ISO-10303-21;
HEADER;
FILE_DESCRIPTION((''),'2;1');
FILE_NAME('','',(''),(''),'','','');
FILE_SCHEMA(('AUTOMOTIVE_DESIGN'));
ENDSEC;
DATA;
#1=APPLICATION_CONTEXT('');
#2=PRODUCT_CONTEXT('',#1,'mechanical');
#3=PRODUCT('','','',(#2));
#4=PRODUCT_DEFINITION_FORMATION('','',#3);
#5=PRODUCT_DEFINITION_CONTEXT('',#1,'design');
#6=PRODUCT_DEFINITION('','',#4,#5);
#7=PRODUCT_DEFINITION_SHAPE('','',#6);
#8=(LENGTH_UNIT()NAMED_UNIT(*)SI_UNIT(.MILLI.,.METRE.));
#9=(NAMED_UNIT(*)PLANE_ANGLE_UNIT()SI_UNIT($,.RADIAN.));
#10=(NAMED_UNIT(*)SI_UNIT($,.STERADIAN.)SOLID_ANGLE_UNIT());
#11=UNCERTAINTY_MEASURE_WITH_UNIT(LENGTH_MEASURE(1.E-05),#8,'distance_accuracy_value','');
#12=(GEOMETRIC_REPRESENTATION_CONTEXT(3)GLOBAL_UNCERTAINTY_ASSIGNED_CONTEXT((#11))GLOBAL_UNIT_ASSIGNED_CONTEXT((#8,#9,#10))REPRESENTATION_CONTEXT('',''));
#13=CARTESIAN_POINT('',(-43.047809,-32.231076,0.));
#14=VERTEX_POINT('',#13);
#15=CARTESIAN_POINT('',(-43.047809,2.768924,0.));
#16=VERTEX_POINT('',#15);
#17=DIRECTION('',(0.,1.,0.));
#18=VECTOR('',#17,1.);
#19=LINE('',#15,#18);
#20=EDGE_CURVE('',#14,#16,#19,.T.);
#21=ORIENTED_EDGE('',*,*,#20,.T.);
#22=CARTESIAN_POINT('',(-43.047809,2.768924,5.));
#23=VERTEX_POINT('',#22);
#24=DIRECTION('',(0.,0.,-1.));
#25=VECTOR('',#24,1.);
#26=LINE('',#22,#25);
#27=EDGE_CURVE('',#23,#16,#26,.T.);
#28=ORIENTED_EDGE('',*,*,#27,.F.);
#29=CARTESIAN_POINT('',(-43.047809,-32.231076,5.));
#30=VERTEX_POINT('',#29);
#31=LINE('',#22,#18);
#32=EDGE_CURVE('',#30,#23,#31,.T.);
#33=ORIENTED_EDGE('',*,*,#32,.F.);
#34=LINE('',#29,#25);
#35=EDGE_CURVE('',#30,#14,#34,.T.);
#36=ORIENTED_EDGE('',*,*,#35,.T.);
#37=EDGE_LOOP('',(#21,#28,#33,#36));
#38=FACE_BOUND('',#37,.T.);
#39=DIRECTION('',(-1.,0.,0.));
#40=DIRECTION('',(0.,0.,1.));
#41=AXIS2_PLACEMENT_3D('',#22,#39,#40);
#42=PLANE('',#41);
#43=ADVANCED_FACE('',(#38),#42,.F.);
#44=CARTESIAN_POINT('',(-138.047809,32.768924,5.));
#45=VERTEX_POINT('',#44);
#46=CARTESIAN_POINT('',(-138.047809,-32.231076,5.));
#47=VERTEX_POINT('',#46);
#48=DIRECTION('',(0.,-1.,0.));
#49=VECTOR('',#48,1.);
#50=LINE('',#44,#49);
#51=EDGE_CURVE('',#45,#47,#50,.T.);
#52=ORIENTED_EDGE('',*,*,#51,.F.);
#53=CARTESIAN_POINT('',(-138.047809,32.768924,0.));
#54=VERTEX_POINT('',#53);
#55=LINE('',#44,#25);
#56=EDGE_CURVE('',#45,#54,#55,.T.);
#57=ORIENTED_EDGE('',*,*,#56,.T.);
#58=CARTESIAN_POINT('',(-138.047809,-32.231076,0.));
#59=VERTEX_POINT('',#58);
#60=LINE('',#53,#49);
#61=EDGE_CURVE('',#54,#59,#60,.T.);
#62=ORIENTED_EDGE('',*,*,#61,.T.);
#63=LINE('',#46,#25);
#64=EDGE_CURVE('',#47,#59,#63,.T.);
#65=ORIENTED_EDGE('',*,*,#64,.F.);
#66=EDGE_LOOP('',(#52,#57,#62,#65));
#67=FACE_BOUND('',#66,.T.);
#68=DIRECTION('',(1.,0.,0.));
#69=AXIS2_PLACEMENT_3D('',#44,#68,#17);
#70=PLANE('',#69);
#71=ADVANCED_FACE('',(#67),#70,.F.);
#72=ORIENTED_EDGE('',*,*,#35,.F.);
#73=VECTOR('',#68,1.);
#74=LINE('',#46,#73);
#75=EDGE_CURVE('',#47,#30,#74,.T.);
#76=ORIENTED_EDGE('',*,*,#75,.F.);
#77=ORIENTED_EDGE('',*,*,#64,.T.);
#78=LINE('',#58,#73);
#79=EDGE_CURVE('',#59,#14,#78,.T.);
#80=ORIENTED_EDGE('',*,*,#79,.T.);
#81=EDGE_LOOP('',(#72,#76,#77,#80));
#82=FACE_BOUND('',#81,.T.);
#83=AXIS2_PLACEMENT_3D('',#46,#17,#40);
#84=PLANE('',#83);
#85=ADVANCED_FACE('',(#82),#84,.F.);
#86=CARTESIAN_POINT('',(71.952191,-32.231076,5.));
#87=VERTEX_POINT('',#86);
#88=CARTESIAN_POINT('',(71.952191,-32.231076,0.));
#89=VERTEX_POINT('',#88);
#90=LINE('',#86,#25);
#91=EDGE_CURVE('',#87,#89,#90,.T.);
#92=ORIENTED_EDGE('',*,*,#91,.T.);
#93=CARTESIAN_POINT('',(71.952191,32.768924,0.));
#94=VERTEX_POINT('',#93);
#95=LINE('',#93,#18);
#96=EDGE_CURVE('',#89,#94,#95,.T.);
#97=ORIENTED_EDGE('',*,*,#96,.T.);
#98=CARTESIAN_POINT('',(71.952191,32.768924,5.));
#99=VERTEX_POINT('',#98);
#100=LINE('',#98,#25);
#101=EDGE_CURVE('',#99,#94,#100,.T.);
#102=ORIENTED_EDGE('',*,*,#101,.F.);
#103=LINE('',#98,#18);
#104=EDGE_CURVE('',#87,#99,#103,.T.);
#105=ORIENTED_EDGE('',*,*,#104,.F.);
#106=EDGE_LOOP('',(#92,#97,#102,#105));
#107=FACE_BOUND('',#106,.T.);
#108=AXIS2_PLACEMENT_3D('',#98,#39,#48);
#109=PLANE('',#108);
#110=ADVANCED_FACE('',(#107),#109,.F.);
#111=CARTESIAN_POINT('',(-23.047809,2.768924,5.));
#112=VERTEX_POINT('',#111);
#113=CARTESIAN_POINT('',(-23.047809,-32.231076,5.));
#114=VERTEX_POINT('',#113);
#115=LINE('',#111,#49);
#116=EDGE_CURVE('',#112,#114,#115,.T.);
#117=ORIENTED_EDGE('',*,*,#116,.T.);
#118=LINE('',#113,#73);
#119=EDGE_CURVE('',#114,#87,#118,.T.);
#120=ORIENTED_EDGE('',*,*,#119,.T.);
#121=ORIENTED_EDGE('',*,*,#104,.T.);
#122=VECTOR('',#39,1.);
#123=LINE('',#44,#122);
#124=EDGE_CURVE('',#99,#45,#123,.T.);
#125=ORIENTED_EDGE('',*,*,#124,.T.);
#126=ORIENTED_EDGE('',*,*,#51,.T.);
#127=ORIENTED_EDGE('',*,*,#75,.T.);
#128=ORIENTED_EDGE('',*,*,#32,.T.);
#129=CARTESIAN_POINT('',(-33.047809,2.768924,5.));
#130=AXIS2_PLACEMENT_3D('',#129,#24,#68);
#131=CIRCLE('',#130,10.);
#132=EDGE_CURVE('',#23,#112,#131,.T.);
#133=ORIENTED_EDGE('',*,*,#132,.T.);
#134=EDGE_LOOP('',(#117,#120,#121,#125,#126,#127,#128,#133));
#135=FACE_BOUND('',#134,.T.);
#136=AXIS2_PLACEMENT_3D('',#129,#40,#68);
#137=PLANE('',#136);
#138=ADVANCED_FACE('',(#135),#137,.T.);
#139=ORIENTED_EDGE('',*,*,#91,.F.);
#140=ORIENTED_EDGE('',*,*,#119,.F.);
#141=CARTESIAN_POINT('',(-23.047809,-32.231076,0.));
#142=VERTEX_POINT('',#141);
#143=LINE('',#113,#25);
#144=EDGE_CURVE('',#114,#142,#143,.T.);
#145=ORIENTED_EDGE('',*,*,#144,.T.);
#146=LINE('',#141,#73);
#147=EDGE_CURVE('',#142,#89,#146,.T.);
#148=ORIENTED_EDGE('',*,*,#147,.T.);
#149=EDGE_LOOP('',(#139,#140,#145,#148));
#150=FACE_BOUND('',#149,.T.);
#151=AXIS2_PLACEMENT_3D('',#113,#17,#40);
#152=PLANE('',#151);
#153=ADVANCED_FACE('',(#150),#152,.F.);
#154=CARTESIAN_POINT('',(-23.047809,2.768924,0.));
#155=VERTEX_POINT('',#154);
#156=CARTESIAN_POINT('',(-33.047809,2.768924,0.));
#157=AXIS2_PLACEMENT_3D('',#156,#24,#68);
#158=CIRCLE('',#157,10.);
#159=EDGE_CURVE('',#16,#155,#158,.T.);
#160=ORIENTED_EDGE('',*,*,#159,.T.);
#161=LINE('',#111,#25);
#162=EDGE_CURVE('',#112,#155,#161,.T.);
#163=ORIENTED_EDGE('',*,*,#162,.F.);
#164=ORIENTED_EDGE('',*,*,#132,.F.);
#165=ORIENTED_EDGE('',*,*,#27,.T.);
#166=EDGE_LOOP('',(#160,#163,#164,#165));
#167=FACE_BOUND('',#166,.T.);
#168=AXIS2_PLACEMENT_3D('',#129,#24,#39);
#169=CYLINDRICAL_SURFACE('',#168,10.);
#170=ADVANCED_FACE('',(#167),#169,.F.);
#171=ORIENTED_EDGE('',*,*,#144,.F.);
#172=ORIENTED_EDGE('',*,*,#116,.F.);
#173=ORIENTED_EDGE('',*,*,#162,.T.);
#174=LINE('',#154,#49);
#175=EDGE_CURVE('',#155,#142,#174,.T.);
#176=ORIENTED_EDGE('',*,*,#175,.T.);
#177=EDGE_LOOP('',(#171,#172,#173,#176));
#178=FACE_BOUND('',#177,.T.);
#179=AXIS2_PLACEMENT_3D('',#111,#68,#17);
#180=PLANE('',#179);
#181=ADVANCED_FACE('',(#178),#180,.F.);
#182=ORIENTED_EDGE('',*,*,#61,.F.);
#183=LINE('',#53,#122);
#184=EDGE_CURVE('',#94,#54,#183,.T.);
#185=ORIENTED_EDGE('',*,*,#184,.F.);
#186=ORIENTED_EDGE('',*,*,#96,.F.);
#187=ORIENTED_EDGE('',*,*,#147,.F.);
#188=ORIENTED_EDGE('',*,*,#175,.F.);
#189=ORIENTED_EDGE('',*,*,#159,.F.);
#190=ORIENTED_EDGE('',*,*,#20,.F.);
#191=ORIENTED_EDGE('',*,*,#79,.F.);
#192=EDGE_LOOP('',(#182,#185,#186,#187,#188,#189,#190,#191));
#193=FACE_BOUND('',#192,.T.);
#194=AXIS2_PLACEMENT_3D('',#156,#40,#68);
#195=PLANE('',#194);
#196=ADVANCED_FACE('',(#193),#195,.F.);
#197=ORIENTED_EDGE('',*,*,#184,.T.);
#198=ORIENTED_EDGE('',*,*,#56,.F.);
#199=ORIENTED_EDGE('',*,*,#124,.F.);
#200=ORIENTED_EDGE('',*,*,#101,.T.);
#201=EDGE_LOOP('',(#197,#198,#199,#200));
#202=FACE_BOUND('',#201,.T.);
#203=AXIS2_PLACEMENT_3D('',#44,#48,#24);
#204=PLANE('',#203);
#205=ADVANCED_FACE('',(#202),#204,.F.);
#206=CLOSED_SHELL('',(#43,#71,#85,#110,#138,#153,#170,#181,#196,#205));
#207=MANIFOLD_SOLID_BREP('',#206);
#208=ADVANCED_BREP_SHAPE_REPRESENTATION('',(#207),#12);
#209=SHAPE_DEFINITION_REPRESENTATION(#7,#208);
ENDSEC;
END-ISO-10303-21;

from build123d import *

# Parameters (mm, degrees)
BOSS_EXTRUDE1_DEPTH = 5


with BuildPart() as part:
    # Sketch1 → Boss-Extrude1 (new body)
    with BuildSketch(Plane.XY):
        with BuildLine():
            Line((-43.047808765, 2.768924303), (-43.047808765, -32.231075697))
            Line((-43.047808765, -32.231075697), (-138.047808765, -32.231075697))
            Line((-138.047808765, -32.231075697), (-138.047808765, 32.768924303))
            Line((-138.047808765, 32.768924303), (71.952191235, 32.768924303))
            Line((71.952191235, 32.768924303), (71.952191235, -32.231075697))
            Line((71.952191235, -32.231075697), (-23.047808765, -32.231075697))
            Line((-23.047808765, -32.231075697), (-23.047808765, 2.768924303))
            ThreePointArc((-23.047808765, 2.768924303), (-33.047808765, 12.768924303), (-43.047808765, 2.768924303))
        make_face()
    extrude(amount=BOSS_EXTRUDE1_DEPTH)


solid = part.part
